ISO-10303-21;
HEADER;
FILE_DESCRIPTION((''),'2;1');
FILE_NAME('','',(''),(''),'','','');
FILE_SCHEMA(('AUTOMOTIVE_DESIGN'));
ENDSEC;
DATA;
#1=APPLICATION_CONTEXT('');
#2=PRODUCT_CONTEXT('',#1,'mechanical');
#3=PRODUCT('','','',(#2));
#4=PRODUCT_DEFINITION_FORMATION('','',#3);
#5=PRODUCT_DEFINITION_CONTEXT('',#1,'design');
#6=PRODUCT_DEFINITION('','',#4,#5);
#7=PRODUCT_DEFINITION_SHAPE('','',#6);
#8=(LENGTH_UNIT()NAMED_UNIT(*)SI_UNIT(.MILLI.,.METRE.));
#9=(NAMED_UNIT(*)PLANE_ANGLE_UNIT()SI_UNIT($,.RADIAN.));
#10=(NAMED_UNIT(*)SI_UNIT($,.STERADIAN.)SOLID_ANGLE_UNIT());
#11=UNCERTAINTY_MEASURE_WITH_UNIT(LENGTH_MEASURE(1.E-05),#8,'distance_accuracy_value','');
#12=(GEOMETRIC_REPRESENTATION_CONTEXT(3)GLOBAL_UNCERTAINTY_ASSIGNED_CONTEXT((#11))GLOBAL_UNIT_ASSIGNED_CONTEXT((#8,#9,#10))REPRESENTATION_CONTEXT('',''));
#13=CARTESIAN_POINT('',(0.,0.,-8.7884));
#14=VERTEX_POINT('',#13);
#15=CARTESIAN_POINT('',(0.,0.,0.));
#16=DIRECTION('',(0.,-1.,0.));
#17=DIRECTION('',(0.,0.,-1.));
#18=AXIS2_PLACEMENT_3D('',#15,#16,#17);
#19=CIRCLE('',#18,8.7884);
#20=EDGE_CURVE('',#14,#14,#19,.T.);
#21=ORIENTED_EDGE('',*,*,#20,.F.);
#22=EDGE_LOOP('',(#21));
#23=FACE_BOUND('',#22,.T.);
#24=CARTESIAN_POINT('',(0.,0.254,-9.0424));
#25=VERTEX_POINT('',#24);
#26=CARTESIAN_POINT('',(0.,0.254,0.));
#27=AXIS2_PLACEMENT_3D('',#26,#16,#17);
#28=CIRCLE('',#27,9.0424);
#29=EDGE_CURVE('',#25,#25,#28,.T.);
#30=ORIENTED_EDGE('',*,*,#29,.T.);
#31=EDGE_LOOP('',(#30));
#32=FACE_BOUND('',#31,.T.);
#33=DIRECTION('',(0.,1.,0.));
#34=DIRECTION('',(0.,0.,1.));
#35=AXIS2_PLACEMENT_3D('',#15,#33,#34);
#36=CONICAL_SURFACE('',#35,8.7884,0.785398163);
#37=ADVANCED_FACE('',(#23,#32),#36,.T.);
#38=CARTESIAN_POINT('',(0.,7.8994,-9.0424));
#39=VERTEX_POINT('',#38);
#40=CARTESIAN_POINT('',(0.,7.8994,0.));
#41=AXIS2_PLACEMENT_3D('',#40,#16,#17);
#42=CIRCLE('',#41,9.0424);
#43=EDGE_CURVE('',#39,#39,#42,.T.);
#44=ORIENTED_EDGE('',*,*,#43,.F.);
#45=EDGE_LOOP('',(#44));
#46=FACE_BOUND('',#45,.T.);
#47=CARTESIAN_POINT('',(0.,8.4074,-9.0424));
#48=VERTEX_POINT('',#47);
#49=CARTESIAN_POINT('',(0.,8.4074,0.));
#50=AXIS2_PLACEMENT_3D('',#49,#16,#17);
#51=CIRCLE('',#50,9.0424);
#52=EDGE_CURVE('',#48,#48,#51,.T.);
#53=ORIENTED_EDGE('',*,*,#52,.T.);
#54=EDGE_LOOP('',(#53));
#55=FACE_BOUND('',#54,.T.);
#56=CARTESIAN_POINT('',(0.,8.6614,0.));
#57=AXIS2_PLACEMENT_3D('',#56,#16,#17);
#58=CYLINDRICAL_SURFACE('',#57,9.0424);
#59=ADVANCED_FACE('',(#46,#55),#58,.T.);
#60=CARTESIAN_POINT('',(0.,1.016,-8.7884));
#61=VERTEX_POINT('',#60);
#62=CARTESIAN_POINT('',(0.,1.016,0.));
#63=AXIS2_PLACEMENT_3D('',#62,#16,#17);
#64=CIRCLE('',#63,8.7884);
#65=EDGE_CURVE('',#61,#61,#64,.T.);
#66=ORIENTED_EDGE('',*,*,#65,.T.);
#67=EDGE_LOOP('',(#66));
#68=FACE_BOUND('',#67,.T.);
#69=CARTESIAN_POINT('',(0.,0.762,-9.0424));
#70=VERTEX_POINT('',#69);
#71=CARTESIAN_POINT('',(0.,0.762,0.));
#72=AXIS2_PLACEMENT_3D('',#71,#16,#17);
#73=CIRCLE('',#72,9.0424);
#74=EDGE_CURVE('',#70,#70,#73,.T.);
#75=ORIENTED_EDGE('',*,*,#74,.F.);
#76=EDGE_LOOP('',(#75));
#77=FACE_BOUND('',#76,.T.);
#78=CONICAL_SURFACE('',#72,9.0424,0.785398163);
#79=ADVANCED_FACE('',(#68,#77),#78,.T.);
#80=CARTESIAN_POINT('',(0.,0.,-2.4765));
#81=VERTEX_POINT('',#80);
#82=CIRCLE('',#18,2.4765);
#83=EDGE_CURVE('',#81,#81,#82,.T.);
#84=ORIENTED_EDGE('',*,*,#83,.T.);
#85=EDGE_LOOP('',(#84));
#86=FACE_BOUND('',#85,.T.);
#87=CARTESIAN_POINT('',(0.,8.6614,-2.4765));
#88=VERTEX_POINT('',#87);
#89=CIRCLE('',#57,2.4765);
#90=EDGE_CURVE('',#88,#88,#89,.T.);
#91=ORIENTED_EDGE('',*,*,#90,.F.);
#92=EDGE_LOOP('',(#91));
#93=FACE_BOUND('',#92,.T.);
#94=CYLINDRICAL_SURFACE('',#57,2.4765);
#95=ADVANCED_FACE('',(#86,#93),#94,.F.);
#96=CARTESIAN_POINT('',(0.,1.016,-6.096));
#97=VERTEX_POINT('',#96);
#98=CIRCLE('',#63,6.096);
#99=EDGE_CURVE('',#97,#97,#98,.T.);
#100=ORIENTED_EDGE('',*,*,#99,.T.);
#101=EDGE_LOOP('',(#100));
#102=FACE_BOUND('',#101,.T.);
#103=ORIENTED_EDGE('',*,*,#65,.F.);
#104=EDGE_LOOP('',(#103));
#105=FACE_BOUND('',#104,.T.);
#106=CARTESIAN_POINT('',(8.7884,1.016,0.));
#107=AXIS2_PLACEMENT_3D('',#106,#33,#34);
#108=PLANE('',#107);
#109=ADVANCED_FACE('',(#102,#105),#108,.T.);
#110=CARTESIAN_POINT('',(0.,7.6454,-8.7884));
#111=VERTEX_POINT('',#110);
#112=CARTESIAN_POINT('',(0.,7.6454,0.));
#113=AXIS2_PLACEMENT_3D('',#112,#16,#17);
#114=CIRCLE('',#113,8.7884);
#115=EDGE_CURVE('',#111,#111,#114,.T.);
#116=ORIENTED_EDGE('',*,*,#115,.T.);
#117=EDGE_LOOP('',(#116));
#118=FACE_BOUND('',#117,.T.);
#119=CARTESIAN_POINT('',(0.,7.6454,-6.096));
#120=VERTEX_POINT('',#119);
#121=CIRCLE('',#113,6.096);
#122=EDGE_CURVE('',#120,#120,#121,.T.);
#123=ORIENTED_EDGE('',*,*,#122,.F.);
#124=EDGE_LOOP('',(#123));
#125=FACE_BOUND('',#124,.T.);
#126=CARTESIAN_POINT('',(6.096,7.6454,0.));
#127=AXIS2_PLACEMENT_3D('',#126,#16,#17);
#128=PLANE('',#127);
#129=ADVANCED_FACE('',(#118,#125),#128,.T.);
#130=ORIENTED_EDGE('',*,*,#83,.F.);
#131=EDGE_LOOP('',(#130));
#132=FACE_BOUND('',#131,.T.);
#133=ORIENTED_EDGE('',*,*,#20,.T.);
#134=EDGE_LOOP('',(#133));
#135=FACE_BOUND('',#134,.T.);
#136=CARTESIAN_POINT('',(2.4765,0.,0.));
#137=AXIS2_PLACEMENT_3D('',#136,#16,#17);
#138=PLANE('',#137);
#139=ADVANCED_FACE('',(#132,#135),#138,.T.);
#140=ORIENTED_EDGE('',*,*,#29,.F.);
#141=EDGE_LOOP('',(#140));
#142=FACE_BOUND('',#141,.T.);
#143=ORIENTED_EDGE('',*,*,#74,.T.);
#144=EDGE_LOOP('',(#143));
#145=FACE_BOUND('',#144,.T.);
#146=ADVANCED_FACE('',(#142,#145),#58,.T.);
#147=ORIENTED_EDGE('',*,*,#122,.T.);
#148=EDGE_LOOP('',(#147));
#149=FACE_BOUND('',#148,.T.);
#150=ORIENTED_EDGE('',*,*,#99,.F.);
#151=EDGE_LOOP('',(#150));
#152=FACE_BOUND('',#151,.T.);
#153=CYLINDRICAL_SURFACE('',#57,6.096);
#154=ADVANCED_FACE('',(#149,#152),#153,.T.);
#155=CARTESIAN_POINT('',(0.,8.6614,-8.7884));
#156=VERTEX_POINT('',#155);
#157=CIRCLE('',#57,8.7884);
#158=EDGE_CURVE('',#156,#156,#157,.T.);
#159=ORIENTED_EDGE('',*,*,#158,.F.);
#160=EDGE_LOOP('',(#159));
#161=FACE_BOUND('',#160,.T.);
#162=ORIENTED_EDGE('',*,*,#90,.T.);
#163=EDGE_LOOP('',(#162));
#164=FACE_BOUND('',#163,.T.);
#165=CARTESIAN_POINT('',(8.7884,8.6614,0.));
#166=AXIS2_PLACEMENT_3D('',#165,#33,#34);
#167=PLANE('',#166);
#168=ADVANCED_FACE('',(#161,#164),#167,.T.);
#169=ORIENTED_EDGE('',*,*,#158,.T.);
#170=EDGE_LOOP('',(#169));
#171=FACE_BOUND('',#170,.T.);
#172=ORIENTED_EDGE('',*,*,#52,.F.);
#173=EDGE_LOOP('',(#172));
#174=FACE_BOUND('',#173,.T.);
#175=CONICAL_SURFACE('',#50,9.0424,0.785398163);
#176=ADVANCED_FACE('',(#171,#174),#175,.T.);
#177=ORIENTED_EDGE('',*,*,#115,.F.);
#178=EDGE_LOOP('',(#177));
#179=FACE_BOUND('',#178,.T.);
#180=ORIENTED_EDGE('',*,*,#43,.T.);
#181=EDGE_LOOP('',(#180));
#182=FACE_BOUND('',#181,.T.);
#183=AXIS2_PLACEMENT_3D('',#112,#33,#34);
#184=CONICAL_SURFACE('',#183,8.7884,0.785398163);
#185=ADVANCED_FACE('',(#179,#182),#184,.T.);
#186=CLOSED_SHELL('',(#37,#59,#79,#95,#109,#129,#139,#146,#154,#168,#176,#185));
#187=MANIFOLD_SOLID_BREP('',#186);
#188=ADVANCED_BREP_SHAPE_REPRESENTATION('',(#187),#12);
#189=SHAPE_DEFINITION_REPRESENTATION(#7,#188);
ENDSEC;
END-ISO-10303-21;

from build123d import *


with BuildPart() as part:
    # Sketch1 → Revolve1 (revolve)
    with BuildSketch(Plane.XY):
        Polygon((2.4765, 8.6614), (2.4765, 0), (8.7884, 0), (9.0424, 0.254), (9.0424, 0.762), (8.7884, 1.016), (6.096, 1.016), (6.096, 7.6454), (8.7884, 7.6454), (9.0424, 7.8994), (9.0424, 8.4074), (8.7884, 8.6614), align=None)
    revolve(axis=Axis((0, 8.6614, 0), (0, -1, 0)))


solid = part.part
